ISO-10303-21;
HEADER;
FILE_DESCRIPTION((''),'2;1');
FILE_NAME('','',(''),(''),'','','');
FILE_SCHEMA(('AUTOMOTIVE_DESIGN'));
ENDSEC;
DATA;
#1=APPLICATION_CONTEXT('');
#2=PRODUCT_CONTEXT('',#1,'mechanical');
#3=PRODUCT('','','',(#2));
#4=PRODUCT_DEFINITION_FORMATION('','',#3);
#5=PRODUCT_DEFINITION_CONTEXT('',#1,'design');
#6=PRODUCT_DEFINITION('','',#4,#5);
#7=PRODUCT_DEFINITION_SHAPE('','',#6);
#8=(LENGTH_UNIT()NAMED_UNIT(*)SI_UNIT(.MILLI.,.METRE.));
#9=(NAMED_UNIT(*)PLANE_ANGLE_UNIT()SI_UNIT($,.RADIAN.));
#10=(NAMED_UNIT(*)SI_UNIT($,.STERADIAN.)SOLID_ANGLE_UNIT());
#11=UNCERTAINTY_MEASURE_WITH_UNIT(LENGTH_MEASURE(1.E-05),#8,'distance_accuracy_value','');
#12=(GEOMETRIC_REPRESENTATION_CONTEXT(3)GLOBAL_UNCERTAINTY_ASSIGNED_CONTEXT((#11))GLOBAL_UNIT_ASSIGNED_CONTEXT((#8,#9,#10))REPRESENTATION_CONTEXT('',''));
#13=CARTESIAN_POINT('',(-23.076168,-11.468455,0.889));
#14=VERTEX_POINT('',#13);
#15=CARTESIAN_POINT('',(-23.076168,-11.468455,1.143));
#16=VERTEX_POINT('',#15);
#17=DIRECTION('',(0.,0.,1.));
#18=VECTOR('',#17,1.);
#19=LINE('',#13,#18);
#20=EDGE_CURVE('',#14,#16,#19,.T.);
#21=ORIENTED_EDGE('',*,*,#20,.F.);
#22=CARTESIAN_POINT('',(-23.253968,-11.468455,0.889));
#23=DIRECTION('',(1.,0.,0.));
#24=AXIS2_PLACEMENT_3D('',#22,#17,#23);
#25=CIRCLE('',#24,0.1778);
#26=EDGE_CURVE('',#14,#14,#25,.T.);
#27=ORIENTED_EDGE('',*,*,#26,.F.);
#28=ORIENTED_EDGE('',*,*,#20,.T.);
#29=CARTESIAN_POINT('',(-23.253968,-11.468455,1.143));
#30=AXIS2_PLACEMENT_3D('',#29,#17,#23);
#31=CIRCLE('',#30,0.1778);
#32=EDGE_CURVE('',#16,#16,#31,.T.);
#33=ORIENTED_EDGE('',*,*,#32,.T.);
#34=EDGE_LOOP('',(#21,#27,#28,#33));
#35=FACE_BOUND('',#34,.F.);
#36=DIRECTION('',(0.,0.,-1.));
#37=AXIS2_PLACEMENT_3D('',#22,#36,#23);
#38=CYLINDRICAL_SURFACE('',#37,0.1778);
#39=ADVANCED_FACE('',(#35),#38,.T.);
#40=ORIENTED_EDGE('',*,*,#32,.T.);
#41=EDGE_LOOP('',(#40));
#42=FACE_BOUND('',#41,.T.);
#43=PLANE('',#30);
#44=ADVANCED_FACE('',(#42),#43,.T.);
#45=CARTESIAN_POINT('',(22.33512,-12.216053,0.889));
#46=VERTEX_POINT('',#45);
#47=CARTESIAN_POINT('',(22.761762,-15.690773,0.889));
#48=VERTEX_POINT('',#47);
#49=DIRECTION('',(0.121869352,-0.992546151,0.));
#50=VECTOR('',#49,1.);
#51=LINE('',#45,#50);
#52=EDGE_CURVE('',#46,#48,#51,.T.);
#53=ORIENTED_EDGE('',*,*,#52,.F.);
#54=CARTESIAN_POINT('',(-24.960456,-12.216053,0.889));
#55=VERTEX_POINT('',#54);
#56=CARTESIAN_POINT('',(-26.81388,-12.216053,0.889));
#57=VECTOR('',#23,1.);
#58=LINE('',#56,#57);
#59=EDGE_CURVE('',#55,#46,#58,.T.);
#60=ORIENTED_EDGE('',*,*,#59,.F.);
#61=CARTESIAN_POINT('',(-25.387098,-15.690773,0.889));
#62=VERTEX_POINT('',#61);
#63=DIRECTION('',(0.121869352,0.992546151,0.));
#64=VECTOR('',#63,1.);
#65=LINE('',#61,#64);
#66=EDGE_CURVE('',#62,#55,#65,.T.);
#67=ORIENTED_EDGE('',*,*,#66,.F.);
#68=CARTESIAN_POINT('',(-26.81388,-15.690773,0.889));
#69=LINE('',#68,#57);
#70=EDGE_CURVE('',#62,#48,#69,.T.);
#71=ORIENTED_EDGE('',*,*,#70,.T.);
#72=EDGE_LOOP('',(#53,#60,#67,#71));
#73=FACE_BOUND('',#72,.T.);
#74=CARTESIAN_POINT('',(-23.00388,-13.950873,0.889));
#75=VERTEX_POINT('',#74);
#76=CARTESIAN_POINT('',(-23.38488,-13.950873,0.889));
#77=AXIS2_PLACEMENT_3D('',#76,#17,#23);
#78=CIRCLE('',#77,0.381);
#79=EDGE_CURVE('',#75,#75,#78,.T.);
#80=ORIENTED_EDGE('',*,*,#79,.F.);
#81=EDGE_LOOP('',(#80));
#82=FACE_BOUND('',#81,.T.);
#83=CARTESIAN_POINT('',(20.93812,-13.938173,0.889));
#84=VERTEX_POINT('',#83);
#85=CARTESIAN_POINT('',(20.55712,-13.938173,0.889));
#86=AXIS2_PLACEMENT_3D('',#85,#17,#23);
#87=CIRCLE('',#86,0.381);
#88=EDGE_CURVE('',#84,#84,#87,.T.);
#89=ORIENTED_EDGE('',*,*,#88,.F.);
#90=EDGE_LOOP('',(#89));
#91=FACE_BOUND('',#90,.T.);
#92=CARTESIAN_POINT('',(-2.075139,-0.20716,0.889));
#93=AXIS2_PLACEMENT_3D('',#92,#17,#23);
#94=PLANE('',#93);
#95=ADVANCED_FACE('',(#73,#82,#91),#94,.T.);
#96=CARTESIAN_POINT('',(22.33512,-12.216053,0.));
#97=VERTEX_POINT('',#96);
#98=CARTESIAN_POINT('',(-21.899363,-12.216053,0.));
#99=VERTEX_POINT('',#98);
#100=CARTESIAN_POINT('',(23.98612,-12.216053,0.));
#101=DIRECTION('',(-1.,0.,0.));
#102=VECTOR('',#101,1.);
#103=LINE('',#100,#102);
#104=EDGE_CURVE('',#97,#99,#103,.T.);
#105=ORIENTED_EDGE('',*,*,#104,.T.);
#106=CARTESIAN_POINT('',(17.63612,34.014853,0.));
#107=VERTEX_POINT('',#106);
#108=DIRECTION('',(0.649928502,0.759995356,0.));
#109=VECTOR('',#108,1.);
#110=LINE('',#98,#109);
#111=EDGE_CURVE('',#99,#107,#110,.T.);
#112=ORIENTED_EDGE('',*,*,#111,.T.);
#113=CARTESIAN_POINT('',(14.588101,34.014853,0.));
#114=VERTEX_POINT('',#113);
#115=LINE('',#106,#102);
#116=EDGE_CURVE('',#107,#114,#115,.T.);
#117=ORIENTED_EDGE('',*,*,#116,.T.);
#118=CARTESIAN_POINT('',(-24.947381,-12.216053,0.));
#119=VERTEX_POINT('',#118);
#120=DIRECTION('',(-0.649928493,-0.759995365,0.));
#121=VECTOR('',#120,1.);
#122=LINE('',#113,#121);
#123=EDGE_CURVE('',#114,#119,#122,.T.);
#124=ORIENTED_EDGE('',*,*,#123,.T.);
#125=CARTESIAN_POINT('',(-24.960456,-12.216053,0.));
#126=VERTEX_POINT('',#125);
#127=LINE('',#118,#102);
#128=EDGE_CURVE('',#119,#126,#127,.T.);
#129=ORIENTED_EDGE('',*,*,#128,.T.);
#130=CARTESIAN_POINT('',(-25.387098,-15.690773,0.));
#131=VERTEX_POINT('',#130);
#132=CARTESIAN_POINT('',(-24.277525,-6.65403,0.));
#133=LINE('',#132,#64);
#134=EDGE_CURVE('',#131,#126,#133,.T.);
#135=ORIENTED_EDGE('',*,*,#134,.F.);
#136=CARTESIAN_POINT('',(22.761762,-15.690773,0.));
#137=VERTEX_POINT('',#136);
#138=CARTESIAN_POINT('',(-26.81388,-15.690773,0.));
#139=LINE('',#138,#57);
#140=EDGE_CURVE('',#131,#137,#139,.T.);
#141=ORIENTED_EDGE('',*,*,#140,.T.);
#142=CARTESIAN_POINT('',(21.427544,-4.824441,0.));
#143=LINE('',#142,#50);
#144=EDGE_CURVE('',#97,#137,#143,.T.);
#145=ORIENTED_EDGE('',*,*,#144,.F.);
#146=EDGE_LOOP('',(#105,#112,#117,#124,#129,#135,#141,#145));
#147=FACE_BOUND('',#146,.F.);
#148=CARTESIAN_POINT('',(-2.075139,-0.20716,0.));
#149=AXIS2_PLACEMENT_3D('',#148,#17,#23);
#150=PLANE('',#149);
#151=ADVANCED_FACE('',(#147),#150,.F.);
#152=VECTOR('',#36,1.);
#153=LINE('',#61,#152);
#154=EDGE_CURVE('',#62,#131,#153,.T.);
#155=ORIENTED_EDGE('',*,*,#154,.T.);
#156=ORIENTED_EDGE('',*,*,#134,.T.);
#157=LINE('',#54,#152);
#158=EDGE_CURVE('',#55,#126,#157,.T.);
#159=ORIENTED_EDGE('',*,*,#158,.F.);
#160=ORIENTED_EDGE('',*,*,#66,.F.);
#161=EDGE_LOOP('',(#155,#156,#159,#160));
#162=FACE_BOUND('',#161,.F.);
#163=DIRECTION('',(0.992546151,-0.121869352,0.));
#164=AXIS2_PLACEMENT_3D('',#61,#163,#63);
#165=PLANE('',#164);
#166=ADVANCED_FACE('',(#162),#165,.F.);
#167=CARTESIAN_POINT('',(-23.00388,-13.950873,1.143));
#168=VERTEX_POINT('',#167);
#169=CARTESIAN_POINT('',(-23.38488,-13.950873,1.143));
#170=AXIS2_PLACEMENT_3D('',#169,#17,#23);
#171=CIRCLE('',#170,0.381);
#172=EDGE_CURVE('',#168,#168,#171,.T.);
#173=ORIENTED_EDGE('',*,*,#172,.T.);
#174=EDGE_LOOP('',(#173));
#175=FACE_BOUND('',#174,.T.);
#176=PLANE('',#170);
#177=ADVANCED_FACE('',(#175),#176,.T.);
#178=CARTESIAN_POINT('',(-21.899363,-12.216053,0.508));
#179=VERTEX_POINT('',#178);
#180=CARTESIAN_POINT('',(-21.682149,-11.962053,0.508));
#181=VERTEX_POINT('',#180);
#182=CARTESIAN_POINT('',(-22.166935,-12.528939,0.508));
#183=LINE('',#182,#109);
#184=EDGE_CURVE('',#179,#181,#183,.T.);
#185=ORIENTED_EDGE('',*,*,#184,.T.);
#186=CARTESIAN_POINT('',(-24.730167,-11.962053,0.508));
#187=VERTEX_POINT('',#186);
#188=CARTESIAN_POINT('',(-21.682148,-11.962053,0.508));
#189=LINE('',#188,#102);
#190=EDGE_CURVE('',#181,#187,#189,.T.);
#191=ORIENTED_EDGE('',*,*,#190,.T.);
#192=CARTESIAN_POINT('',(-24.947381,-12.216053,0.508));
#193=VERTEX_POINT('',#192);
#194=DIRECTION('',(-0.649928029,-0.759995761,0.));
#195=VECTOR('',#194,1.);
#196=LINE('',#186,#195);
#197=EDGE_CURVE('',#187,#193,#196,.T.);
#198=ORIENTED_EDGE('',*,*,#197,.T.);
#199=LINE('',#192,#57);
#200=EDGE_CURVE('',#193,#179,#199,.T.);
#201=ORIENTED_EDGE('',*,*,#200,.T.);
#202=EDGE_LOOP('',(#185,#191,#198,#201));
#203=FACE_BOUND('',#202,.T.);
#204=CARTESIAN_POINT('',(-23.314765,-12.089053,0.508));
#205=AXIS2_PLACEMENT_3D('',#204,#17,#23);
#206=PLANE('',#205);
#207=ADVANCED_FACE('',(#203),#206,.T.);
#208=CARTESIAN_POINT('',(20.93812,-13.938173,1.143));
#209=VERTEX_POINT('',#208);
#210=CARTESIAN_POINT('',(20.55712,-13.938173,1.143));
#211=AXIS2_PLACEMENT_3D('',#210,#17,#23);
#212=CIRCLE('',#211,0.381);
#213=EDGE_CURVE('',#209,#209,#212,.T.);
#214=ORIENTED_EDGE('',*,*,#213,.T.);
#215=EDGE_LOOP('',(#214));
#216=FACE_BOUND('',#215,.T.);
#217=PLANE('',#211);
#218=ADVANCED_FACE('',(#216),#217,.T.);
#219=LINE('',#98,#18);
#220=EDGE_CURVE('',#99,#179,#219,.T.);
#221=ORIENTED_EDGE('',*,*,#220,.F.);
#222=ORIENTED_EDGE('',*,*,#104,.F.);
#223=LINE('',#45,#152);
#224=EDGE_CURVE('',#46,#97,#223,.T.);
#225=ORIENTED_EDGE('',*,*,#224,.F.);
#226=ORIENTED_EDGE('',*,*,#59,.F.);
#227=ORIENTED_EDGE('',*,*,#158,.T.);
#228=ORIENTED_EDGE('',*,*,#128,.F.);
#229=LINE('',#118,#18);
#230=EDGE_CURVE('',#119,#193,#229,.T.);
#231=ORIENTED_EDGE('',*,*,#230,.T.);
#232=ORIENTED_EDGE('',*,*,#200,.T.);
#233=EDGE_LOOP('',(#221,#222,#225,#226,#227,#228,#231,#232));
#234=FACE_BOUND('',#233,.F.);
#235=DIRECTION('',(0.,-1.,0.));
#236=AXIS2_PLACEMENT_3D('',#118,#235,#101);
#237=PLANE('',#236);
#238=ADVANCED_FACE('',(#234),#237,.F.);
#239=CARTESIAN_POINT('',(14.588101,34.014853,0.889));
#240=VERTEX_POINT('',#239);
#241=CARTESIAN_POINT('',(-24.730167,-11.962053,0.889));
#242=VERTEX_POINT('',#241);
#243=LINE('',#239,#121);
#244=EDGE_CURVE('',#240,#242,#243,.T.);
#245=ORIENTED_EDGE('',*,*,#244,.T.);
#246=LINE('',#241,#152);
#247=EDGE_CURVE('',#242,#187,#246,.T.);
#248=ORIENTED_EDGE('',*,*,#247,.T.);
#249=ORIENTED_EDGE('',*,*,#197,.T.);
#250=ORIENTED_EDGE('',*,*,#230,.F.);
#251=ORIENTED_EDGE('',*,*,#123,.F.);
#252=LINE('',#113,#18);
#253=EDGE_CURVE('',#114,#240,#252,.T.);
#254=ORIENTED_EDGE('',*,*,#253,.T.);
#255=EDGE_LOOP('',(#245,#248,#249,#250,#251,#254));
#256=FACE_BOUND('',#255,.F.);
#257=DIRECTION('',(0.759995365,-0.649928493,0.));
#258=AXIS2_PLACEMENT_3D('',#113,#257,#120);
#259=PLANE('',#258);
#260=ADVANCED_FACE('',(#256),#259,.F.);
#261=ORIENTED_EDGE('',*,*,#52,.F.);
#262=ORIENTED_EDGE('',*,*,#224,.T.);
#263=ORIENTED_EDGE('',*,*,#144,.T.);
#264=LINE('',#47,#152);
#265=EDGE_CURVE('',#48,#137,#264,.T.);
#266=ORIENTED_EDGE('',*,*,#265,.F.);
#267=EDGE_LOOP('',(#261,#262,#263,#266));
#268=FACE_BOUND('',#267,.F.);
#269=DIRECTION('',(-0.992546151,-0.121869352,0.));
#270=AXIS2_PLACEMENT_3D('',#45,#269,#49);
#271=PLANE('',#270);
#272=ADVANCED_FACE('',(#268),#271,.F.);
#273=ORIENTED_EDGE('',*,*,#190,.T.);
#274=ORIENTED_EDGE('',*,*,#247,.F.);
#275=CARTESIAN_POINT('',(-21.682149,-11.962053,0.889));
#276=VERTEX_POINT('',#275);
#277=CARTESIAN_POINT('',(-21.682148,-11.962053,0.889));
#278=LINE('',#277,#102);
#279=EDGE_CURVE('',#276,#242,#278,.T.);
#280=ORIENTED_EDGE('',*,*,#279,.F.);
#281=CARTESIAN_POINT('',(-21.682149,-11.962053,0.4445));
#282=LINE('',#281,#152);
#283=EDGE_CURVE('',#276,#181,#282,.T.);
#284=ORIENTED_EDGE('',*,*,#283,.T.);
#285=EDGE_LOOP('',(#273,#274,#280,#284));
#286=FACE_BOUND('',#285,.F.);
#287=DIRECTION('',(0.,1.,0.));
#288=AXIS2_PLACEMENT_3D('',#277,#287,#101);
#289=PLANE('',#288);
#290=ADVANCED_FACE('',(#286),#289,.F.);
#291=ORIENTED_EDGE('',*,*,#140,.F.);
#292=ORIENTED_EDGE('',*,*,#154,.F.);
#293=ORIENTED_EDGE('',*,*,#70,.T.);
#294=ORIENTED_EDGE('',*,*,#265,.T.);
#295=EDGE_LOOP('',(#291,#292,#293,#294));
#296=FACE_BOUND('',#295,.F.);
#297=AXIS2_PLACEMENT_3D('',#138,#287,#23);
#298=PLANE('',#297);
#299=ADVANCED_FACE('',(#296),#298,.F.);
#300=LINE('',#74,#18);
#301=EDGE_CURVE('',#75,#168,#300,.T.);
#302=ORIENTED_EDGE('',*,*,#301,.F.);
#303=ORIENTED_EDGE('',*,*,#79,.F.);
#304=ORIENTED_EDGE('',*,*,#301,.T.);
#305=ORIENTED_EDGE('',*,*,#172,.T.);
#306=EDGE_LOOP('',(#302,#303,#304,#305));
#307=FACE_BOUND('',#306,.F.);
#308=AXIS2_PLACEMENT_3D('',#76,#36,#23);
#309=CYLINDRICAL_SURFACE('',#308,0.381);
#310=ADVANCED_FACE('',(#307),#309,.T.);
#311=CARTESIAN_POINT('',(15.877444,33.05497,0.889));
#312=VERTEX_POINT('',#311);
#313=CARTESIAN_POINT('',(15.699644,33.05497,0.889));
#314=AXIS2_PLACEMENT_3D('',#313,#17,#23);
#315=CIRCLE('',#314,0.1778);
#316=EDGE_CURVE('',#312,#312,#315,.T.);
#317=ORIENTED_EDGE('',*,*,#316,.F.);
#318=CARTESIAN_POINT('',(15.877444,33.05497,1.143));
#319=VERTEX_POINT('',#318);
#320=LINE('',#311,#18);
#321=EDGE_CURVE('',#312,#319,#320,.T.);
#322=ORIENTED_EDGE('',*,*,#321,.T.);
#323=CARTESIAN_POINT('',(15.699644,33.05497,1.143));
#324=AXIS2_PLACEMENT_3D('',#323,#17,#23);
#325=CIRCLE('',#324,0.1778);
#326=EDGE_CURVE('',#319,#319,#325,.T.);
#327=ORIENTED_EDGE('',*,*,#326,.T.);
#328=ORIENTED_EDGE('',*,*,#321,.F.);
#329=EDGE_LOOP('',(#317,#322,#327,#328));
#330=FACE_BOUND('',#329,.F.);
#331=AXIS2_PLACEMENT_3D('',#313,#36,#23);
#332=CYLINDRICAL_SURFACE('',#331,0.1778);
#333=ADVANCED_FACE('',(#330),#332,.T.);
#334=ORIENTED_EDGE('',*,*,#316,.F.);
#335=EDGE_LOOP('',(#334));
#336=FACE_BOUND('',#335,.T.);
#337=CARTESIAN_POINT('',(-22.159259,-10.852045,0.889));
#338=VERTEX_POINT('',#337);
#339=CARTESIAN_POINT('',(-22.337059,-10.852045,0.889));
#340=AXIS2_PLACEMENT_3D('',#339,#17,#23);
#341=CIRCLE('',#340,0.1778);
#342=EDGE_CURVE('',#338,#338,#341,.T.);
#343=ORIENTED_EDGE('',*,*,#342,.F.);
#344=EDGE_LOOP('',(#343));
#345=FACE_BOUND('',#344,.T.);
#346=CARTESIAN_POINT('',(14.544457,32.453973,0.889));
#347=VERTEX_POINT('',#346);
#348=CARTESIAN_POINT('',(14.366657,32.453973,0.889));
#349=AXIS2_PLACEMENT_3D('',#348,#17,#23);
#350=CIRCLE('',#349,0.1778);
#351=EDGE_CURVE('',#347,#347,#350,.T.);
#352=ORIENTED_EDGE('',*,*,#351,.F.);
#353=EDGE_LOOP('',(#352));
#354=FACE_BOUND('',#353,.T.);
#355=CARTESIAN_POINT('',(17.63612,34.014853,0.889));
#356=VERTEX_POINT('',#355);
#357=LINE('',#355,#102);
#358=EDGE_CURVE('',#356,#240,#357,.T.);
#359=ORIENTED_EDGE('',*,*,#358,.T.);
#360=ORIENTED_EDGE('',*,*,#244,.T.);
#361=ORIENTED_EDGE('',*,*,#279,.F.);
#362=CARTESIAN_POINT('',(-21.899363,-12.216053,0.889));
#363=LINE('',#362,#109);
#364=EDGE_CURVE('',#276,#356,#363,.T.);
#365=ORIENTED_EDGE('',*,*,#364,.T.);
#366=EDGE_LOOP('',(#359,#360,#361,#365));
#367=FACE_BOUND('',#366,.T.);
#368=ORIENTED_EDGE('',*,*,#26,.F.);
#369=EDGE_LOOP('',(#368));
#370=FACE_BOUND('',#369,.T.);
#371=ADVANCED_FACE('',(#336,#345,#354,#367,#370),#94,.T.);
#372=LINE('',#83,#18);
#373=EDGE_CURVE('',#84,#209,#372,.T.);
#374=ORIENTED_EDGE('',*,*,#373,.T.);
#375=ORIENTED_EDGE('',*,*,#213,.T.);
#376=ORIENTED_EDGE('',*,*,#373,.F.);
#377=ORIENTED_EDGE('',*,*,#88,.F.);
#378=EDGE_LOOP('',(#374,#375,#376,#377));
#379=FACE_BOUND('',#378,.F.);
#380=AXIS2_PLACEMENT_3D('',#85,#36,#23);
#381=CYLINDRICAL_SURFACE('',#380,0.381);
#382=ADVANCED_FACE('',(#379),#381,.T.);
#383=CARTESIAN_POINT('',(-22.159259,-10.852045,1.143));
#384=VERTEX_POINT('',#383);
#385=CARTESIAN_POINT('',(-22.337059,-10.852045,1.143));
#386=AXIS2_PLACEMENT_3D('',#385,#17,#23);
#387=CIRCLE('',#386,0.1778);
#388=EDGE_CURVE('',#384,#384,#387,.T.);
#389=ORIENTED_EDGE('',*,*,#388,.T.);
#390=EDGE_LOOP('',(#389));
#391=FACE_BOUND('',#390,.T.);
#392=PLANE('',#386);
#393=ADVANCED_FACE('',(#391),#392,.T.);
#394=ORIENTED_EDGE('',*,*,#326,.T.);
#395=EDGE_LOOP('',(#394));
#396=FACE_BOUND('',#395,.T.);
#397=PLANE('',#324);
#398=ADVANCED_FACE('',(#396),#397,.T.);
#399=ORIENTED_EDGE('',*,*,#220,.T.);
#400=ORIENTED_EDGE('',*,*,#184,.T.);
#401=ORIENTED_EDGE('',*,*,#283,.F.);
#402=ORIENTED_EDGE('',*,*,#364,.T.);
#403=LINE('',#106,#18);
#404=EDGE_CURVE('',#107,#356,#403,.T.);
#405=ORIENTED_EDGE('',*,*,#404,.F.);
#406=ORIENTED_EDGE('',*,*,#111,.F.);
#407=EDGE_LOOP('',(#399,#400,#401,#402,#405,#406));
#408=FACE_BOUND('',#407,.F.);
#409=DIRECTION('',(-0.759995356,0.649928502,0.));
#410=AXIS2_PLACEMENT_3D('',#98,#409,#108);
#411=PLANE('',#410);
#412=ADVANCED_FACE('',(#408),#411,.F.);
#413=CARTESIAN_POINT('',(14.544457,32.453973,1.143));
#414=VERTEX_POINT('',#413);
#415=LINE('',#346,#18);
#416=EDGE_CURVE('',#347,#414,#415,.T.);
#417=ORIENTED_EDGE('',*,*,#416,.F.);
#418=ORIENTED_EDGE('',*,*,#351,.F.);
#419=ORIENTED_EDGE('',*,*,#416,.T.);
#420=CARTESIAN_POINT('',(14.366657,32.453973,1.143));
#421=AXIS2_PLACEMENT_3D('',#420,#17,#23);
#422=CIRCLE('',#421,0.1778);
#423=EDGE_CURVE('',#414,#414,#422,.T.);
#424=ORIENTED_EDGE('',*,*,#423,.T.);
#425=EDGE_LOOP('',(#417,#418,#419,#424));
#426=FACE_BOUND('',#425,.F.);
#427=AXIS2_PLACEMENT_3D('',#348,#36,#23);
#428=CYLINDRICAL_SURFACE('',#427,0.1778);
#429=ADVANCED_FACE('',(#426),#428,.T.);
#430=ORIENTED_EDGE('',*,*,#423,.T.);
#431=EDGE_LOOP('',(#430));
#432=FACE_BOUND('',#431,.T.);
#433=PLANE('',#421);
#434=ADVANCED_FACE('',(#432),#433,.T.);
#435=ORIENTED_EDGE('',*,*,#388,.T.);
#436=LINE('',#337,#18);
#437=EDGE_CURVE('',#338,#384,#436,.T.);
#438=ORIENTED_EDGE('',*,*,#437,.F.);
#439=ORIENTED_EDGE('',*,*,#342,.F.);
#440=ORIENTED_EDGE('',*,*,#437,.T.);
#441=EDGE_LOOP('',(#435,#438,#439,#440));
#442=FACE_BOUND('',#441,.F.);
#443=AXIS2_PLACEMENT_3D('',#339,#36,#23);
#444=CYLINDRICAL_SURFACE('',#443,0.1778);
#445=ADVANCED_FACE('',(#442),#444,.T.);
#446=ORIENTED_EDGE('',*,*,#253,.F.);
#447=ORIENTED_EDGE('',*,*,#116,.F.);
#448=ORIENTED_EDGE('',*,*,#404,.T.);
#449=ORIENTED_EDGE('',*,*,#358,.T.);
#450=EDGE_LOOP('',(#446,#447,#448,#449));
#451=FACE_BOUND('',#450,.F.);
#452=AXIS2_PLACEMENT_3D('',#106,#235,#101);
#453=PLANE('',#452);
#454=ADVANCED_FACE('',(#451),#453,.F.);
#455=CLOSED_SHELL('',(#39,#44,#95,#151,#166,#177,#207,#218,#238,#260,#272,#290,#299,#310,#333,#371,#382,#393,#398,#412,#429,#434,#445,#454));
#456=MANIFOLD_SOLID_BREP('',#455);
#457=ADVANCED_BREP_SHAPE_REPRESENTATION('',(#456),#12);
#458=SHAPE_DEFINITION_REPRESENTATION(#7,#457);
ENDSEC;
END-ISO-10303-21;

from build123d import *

# Parameters (mm, degrees)
F1_DEPTH = 0.889
F3_DEPTH = 0.381
F4_R     = 0.1778
F4_R_2   = 0.381
F5_DEPTH = 0.254
F7_DEPTH = 25.4


with BuildPart() as f1:
    # F0 (on Top) → F1 (new body)
    with BuildSketch(Plane.XY):
        Polygon((-24.947381, -12.216053), (-26.81388, -12.216053), (-26.81388, -15.690773), (23.98612, -15.690773), (23.98612, -12.216053), (-21.899363, -12.216053), (17.63612, 34.014853), (14.588101, 34.014853), align=None)
    extrude(amount=F1_DEPTH)

    # F2 (on face) → F3 (cut)
    with BuildSketch(Plane.XY.offset(0.889)):
        Polygon((-24.730167, -11.962053), (-24.947381, -12.216053), (-21.899363, -12.216053), (-21.682148, -11.962053), align=None)
    extrude(amount=-F3_DEPTH, mode=Mode.SUBTRACT)

    # F4 (on face) → F5 (join)
    with BuildSketch(Plane.XY.offset(0.889)):
        with Locations((-23.253968, -11.468455)):
            Circle(F4_R)
        with Locations((-22.337059, -10.852045)):
            Circle(F4_R)
        with Locations((-23.38488, -13.950873)):
            Circle(F4_R_2)
        with Locations((15.699644, 33.05497)):
            Circle(F4_R)
        with Locations((14.366657, 32.453973)):
            Circle(F4_R)
        with Locations((20.55712, -13.938173)):
            Circle(F4_R_2)
    extrude(amount=F5_DEPTH)

    # F6 (on face) → F7 (cut)
    with BuildSketch(Plane.XY.offset(0.889)):
        Polygon((-25.387098, -15.690773), (-24.960456, -12.216053), (-26.81388, -12.216053), (-26.81388, -15.690773), align=None)
        Polygon((22.33512, -12.216053), (22.761762, -15.690773), (23.98612, -15.690773), (23.98612, -12.216053), align=None)
    extrude(amount=-F7_DEPTH, mode=Mode.SUBTRACT)


solid = f1.part
